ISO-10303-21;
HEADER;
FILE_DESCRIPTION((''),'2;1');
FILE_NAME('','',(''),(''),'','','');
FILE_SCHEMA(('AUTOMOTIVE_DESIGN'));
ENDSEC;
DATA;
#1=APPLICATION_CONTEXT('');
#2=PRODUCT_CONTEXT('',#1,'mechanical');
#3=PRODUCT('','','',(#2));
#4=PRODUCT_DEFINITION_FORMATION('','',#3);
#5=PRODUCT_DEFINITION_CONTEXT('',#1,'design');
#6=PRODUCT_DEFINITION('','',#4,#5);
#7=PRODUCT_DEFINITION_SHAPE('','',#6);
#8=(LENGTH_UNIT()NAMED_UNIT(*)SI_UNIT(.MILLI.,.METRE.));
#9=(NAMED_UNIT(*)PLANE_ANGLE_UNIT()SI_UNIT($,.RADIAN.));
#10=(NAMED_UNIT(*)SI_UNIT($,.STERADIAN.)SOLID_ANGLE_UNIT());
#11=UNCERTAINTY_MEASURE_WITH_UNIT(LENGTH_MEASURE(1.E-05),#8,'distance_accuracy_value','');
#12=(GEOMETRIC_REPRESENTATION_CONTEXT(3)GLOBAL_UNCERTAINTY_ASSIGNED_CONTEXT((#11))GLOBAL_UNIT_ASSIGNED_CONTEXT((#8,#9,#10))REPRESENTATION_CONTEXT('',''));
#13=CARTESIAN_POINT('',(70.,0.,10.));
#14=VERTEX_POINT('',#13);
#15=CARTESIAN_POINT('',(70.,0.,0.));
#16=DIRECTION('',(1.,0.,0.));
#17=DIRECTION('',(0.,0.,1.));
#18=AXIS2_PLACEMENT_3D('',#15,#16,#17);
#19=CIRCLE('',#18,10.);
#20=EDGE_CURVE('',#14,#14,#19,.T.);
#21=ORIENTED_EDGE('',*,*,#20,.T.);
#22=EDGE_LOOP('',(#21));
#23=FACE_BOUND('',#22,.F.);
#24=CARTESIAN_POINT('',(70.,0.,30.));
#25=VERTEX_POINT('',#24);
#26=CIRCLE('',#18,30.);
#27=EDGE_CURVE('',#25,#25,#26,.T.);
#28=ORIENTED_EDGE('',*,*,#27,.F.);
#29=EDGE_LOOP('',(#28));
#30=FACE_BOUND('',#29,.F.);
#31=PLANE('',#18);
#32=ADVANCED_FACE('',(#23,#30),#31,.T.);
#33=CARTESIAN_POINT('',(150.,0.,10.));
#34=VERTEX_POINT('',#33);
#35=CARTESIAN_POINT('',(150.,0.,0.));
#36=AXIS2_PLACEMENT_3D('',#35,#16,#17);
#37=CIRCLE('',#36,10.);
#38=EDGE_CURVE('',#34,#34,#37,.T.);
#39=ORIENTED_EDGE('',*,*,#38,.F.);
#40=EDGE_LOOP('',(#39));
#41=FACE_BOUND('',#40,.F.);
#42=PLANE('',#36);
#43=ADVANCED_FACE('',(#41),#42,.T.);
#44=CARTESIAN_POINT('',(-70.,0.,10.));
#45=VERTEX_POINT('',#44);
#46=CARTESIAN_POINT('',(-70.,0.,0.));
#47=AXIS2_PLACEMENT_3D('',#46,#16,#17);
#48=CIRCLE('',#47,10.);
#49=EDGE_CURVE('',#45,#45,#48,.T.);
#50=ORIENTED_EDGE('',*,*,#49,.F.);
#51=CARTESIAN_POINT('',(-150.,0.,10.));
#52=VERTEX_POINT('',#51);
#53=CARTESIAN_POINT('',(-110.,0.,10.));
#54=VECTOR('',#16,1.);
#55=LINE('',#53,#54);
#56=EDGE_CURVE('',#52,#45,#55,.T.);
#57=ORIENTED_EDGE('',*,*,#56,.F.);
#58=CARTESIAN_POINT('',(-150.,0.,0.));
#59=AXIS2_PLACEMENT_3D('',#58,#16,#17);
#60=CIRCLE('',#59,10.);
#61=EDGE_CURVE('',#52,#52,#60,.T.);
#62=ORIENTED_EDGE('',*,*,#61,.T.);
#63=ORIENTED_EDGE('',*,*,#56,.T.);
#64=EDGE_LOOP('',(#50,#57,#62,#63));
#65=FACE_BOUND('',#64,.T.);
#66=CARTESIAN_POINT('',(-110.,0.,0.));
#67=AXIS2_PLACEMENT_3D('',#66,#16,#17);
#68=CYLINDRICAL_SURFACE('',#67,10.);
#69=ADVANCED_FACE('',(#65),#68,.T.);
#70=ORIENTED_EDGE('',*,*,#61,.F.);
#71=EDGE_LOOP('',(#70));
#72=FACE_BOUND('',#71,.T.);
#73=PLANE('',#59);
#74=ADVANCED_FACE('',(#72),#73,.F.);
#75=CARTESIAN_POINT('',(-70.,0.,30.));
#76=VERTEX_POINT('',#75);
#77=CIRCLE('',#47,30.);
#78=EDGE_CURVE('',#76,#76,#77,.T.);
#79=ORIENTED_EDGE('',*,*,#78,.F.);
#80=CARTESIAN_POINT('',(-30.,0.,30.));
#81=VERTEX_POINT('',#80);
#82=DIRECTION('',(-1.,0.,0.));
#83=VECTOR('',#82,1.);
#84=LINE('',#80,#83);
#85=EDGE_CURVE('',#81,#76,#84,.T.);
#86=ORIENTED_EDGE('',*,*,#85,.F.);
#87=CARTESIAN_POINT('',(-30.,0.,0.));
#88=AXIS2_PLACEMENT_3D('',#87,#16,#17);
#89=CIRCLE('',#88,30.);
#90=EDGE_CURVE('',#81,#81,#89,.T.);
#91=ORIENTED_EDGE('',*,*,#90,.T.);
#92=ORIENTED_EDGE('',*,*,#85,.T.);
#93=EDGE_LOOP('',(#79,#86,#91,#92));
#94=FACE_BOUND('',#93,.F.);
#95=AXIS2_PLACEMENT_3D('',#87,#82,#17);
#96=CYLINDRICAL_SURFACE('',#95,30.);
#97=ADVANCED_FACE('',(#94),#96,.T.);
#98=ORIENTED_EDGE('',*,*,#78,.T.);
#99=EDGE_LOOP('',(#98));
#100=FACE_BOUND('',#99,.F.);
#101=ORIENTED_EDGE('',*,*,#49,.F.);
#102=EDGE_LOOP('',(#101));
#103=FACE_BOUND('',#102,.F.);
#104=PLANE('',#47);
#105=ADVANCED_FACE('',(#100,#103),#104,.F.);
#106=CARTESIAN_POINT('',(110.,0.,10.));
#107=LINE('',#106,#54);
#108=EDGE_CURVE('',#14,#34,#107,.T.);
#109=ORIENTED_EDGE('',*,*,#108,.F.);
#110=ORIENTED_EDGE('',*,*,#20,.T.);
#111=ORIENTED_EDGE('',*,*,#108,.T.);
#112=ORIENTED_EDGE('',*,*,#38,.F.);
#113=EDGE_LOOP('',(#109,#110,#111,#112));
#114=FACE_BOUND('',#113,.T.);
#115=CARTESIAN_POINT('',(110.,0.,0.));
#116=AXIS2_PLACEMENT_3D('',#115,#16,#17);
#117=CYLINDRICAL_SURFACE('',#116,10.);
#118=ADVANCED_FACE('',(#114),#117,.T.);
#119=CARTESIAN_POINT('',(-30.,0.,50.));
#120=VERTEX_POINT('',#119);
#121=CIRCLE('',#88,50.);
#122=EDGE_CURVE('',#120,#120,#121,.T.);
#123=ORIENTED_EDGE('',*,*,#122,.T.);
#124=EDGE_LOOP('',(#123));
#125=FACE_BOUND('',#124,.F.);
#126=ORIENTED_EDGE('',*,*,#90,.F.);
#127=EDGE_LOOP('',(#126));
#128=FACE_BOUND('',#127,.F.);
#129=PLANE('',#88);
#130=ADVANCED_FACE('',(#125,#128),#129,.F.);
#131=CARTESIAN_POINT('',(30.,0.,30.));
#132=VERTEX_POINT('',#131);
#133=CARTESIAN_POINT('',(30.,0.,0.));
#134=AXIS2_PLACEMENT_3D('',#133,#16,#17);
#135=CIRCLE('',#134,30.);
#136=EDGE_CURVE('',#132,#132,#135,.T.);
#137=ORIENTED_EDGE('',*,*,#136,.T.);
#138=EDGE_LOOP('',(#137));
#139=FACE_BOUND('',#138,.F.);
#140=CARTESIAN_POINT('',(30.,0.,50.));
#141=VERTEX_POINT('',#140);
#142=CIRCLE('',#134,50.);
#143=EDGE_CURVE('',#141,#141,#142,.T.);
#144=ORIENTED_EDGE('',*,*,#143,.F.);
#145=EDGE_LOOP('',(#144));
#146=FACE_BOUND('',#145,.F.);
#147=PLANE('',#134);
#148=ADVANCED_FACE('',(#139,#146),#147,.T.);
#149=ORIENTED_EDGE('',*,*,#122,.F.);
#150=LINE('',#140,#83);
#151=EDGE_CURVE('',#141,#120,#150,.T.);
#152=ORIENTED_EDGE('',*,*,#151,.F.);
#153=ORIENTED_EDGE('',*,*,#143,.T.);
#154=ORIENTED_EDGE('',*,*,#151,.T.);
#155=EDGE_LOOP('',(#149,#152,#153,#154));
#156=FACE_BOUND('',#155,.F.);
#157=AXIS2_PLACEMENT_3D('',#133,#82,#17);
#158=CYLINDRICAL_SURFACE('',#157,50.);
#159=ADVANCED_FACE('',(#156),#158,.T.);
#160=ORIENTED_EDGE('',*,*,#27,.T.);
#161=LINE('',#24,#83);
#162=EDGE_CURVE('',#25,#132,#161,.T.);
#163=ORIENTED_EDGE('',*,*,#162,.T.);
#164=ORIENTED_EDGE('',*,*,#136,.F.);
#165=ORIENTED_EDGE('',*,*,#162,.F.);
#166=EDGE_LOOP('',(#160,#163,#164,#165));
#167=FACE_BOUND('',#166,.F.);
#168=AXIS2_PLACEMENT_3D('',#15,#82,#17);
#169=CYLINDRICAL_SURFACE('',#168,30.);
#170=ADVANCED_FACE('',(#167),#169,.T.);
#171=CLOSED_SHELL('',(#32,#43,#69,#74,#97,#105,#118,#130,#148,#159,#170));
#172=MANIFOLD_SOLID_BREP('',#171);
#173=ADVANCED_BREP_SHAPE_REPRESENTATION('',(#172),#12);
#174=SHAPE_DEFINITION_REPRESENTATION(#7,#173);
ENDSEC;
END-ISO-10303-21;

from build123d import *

# Parameters (mm, degrees)
F0_W = 80
F0_H = 10


with BuildPart() as f1:
    # F0 (on Front) → F1 (revolve)
    with BuildSketch(Plane.XZ):
        with Locations((-110, 5)):
            Rectangle(F0_W, F0_H)
        Polygon((-70, 10), (-70, 0), (-30, 0), (-30, 30), (-70, 30), align=None)
        Polygon((-30, 30), (-30, 0), (30, 0), (30, 30), (30, 50), (-30, 50), align=None)
        Polygon((30, 30), (30, 0), (70, 0), (70, 10), (70, 30), align=None)
        with Locations((110, 5)):
            Rectangle(F0_W, F0_H)
    revolve(axis=Axis((0, 0, 0), (1, 0, 0)))


solid = f1.part
